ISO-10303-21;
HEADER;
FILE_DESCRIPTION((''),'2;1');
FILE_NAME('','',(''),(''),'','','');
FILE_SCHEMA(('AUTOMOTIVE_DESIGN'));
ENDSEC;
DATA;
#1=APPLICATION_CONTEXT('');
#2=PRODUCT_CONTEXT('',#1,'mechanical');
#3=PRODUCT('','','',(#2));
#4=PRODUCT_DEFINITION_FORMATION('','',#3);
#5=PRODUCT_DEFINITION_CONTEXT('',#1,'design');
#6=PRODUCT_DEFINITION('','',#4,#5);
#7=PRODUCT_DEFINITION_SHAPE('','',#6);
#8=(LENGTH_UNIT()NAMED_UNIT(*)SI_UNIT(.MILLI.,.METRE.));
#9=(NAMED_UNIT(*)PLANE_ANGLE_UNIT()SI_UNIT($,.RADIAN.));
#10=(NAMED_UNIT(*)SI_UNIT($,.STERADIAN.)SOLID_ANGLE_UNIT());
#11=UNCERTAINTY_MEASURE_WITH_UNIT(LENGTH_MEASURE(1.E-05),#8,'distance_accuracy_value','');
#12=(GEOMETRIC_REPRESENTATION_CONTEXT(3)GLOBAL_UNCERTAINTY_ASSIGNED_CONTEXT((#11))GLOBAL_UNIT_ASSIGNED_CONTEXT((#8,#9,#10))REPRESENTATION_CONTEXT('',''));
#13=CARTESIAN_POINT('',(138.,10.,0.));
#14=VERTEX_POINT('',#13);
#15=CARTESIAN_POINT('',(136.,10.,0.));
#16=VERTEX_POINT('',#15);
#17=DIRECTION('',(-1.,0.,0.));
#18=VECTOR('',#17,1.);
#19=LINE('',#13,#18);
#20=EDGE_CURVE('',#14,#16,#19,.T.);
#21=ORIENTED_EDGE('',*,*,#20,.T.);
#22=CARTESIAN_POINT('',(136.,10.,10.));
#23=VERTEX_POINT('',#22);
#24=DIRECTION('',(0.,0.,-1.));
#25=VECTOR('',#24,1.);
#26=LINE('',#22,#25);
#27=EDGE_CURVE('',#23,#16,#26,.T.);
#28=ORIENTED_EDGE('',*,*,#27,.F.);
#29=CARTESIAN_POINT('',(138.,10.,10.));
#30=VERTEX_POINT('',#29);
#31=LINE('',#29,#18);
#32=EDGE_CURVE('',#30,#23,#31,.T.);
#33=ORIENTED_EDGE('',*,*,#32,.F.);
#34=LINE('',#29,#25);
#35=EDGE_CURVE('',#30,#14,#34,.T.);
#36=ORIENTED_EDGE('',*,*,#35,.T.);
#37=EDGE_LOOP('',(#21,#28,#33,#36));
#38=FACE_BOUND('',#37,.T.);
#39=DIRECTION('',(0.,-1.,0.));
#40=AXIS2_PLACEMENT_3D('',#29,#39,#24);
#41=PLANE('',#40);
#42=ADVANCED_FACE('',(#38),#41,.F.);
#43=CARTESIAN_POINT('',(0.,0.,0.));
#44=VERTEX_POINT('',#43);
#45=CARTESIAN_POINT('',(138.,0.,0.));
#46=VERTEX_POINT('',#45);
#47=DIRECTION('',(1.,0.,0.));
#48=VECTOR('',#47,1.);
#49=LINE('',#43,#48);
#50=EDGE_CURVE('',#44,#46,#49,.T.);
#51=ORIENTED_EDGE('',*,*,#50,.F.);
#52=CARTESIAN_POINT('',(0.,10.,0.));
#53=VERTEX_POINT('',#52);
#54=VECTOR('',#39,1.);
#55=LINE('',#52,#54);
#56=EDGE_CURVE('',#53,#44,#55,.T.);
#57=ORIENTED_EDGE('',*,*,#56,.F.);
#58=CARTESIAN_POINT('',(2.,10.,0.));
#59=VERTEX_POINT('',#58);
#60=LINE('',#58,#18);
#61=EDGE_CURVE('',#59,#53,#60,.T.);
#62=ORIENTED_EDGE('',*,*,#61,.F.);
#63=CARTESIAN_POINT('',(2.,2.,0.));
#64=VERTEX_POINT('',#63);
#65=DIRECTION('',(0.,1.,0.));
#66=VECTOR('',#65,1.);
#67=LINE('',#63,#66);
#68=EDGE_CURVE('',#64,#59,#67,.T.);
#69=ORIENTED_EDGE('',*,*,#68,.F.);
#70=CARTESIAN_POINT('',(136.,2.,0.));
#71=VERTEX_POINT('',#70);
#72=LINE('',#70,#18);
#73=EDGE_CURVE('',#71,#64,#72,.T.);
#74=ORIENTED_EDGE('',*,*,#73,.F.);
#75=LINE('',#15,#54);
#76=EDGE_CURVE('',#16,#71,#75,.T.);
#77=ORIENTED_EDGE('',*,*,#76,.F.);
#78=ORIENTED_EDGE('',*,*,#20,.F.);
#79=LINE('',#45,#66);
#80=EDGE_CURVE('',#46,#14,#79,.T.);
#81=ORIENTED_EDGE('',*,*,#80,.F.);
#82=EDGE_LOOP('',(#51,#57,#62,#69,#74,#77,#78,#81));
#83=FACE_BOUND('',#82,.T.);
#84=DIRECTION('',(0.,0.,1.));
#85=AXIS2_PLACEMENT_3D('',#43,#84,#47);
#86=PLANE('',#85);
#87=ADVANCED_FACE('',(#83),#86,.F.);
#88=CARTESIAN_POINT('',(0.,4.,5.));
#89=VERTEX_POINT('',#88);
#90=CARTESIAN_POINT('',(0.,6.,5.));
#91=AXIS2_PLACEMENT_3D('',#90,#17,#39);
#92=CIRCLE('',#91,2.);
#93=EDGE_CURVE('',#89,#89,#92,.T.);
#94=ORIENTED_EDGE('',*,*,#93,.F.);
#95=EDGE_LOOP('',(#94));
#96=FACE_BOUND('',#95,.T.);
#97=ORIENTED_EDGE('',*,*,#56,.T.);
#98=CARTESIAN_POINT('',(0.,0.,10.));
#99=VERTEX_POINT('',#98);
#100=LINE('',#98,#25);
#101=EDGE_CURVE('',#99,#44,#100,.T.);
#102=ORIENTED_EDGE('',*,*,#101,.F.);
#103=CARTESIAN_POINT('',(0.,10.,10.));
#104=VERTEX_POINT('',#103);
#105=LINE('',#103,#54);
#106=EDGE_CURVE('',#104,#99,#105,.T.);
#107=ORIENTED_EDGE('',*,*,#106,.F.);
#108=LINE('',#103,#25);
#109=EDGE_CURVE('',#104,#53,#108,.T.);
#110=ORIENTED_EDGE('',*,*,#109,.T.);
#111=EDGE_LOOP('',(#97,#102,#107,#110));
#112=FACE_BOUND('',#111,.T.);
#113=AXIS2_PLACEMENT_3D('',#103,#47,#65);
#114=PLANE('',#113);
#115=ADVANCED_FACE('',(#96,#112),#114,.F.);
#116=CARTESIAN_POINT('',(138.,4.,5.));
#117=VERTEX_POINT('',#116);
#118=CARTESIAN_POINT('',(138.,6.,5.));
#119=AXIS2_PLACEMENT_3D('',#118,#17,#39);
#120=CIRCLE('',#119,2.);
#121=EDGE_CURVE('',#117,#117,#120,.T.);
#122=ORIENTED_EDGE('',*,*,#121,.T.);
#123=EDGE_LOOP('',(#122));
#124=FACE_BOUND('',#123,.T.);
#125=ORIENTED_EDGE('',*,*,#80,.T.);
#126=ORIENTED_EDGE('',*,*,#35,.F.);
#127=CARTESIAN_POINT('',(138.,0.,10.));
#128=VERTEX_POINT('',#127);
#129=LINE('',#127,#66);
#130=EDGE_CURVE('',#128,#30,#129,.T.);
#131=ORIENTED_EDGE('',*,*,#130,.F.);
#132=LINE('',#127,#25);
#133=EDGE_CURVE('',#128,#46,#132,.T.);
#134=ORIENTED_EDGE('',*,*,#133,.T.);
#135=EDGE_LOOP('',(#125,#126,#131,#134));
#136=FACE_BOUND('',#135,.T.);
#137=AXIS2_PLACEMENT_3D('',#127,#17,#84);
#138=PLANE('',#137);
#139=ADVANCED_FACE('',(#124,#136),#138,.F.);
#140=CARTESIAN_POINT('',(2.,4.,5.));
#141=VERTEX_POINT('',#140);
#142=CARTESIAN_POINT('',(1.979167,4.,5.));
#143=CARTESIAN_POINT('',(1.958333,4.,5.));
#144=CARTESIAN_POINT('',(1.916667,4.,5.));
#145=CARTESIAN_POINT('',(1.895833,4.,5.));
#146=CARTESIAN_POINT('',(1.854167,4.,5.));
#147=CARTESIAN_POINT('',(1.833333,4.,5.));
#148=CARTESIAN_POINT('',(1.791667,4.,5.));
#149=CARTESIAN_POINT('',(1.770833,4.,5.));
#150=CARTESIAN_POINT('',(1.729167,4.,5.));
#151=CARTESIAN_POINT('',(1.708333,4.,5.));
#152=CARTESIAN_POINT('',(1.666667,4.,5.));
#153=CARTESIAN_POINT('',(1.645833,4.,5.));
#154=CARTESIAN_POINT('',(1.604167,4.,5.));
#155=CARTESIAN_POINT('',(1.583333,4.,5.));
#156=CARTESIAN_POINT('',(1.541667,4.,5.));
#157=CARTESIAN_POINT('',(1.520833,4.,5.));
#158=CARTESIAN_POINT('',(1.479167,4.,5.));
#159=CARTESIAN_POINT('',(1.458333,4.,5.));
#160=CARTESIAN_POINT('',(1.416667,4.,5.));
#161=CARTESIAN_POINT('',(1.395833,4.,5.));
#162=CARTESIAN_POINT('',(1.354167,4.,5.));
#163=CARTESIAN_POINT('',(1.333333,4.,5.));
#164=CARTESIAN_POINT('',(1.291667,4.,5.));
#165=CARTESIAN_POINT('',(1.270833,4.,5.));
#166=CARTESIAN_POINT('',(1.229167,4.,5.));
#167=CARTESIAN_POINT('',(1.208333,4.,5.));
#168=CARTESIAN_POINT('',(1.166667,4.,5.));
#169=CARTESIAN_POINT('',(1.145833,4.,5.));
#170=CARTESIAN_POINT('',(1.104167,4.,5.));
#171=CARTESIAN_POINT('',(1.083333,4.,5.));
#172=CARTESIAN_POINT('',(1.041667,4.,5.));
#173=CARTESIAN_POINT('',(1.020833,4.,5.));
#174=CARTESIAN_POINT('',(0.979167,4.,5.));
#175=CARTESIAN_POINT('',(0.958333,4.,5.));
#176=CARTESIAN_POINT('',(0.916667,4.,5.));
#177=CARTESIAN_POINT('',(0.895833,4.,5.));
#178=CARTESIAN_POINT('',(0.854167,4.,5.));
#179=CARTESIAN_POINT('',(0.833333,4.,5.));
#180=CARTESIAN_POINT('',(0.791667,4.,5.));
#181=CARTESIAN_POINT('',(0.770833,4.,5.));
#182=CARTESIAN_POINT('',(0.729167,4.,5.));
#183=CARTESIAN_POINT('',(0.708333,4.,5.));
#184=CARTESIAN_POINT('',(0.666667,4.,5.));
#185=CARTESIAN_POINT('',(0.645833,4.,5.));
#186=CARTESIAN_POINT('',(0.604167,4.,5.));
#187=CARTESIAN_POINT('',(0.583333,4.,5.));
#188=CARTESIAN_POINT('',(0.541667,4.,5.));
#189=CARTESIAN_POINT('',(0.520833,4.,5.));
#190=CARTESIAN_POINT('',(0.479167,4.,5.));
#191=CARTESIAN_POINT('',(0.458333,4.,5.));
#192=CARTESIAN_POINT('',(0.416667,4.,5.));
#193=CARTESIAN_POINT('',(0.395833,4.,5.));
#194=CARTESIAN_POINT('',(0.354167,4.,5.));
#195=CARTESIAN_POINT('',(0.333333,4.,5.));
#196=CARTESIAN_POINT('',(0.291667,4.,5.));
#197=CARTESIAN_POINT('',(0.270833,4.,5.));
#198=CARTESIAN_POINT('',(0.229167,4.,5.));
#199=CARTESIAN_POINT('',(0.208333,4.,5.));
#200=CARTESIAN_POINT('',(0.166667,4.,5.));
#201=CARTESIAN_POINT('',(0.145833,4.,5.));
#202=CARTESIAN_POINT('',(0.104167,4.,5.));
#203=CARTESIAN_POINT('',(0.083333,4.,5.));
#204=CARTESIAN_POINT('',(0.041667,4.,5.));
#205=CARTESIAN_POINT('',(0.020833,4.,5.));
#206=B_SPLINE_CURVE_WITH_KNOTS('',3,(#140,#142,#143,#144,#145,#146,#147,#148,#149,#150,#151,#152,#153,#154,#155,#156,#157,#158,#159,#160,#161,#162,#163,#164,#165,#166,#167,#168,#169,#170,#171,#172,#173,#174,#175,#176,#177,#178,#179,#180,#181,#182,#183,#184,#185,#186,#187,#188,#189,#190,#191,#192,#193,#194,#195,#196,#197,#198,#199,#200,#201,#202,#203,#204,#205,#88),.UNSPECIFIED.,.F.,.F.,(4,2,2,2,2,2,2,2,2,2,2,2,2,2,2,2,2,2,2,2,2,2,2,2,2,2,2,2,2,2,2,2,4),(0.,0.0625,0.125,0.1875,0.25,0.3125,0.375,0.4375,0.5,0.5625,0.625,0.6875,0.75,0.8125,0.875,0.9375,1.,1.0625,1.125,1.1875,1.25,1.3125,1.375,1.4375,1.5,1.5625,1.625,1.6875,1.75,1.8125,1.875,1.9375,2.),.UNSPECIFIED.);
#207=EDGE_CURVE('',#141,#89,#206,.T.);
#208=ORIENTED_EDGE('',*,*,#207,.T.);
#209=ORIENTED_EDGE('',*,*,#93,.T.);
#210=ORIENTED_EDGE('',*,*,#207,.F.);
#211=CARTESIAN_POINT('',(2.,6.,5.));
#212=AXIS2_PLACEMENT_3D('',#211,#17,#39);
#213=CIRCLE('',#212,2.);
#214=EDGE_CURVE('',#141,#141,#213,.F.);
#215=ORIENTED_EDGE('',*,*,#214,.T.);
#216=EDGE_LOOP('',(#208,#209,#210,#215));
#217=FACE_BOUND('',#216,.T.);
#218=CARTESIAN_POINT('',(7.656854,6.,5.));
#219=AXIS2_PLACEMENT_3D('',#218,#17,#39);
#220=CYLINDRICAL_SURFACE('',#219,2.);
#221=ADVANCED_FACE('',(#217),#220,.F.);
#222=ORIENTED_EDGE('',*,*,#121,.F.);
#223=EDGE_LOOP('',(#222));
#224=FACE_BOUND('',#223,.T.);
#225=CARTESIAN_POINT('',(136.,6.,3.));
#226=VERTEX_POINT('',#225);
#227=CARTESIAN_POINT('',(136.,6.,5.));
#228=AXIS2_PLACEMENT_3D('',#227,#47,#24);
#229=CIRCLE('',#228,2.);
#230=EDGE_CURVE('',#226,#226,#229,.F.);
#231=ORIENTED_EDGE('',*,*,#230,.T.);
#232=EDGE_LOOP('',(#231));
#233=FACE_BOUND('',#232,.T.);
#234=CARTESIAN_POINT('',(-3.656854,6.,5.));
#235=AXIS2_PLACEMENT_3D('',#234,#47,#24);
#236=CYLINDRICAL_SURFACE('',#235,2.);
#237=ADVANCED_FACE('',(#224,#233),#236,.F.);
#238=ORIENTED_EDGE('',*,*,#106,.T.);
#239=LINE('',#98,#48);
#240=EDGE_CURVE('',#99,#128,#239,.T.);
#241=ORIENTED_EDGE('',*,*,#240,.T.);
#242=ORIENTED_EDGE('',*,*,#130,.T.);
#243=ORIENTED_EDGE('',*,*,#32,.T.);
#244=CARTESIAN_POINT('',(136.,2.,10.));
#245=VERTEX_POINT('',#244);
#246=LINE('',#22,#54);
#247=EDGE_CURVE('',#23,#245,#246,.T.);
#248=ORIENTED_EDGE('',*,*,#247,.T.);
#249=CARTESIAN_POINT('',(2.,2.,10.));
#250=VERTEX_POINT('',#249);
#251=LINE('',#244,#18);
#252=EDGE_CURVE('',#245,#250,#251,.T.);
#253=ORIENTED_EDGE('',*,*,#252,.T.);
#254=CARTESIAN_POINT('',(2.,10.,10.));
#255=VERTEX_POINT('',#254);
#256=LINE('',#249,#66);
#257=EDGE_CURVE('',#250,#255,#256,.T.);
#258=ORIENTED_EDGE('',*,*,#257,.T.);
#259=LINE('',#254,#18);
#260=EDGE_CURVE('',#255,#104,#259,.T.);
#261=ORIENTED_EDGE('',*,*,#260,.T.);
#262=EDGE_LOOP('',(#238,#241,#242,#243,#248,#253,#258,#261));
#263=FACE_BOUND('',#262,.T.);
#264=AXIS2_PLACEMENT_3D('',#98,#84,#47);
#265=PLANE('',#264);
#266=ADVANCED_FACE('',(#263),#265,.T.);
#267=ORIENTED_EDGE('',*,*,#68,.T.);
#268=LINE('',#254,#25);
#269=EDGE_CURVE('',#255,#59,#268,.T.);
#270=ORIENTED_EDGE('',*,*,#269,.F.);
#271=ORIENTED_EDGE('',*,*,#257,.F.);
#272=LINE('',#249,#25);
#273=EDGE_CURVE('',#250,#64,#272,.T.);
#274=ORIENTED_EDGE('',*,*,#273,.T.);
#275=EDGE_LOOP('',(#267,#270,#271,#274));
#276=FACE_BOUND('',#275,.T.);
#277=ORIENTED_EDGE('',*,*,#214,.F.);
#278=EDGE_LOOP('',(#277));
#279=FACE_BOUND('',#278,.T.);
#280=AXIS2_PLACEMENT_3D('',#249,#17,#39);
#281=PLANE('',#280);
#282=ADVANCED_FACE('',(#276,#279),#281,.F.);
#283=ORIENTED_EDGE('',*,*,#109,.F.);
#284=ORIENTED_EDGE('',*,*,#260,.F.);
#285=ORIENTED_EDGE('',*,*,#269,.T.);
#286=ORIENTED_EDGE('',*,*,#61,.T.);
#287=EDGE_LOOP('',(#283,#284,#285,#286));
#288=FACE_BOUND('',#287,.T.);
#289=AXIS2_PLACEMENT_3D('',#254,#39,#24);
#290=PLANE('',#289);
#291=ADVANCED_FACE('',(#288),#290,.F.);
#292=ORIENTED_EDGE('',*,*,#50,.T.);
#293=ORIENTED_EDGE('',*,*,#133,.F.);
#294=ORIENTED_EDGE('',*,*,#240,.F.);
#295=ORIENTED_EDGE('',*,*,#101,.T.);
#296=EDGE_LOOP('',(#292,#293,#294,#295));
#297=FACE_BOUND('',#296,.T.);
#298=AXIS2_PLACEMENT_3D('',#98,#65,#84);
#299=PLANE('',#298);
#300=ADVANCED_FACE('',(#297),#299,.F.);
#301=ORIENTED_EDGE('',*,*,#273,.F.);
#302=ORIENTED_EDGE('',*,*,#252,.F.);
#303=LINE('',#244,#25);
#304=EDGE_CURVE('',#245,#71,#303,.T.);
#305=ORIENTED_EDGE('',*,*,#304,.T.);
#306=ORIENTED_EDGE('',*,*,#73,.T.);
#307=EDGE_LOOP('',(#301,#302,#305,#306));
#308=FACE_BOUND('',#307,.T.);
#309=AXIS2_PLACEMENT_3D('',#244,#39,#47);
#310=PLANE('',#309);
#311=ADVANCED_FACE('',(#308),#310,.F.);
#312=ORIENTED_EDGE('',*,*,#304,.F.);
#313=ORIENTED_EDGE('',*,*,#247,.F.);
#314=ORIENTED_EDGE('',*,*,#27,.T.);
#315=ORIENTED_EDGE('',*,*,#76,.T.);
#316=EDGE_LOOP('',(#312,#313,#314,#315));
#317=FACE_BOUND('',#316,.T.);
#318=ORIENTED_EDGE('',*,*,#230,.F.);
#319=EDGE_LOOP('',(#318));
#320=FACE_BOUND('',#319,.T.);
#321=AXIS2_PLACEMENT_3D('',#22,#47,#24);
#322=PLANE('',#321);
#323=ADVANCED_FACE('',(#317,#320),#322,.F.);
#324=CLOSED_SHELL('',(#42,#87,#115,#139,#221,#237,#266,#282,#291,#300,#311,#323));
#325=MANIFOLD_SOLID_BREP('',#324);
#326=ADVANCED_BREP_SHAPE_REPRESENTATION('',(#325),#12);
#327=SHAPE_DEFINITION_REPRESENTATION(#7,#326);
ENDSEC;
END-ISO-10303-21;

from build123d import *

# Parameters (mm, degrees)
BOSS_EXTRUDE1_DEPTH = 10
SKETCH3_R           = 2
CUT_EXTRUDE2_DEPTH  = 136


with BuildPart() as part:
    # Sketch1 → Boss-Extrude1 (new body)
    with BuildSketch(Plane.XY):
        Polygon((0, 0), (138, 0), (138, 10), (136, 10), (136, 2), (2, 2), (2, 10), (0, 10), align=None)
    extrude(amount=BOSS_EXTRUDE1_DEPTH)

    # Sketch3 → Cut-Extrude2 (cut)
    with BuildSketch(Plane.ZY):
        with Locations(Location((5, 6, 0), (0, 0, 270))):
            Circle(SKETCH3_R)
    cut_extrude2 = extrude(amount=-CUT_EXTRUDE2_DEPTH, mode=Mode.SUBTRACT)

    # Mirror1: Cut-Extrude2 across plane
    add(cut_extrude2.mirror(Plane.ZY.offset(-69)), mode=Mode.SUBTRACT)


solid = part.part
